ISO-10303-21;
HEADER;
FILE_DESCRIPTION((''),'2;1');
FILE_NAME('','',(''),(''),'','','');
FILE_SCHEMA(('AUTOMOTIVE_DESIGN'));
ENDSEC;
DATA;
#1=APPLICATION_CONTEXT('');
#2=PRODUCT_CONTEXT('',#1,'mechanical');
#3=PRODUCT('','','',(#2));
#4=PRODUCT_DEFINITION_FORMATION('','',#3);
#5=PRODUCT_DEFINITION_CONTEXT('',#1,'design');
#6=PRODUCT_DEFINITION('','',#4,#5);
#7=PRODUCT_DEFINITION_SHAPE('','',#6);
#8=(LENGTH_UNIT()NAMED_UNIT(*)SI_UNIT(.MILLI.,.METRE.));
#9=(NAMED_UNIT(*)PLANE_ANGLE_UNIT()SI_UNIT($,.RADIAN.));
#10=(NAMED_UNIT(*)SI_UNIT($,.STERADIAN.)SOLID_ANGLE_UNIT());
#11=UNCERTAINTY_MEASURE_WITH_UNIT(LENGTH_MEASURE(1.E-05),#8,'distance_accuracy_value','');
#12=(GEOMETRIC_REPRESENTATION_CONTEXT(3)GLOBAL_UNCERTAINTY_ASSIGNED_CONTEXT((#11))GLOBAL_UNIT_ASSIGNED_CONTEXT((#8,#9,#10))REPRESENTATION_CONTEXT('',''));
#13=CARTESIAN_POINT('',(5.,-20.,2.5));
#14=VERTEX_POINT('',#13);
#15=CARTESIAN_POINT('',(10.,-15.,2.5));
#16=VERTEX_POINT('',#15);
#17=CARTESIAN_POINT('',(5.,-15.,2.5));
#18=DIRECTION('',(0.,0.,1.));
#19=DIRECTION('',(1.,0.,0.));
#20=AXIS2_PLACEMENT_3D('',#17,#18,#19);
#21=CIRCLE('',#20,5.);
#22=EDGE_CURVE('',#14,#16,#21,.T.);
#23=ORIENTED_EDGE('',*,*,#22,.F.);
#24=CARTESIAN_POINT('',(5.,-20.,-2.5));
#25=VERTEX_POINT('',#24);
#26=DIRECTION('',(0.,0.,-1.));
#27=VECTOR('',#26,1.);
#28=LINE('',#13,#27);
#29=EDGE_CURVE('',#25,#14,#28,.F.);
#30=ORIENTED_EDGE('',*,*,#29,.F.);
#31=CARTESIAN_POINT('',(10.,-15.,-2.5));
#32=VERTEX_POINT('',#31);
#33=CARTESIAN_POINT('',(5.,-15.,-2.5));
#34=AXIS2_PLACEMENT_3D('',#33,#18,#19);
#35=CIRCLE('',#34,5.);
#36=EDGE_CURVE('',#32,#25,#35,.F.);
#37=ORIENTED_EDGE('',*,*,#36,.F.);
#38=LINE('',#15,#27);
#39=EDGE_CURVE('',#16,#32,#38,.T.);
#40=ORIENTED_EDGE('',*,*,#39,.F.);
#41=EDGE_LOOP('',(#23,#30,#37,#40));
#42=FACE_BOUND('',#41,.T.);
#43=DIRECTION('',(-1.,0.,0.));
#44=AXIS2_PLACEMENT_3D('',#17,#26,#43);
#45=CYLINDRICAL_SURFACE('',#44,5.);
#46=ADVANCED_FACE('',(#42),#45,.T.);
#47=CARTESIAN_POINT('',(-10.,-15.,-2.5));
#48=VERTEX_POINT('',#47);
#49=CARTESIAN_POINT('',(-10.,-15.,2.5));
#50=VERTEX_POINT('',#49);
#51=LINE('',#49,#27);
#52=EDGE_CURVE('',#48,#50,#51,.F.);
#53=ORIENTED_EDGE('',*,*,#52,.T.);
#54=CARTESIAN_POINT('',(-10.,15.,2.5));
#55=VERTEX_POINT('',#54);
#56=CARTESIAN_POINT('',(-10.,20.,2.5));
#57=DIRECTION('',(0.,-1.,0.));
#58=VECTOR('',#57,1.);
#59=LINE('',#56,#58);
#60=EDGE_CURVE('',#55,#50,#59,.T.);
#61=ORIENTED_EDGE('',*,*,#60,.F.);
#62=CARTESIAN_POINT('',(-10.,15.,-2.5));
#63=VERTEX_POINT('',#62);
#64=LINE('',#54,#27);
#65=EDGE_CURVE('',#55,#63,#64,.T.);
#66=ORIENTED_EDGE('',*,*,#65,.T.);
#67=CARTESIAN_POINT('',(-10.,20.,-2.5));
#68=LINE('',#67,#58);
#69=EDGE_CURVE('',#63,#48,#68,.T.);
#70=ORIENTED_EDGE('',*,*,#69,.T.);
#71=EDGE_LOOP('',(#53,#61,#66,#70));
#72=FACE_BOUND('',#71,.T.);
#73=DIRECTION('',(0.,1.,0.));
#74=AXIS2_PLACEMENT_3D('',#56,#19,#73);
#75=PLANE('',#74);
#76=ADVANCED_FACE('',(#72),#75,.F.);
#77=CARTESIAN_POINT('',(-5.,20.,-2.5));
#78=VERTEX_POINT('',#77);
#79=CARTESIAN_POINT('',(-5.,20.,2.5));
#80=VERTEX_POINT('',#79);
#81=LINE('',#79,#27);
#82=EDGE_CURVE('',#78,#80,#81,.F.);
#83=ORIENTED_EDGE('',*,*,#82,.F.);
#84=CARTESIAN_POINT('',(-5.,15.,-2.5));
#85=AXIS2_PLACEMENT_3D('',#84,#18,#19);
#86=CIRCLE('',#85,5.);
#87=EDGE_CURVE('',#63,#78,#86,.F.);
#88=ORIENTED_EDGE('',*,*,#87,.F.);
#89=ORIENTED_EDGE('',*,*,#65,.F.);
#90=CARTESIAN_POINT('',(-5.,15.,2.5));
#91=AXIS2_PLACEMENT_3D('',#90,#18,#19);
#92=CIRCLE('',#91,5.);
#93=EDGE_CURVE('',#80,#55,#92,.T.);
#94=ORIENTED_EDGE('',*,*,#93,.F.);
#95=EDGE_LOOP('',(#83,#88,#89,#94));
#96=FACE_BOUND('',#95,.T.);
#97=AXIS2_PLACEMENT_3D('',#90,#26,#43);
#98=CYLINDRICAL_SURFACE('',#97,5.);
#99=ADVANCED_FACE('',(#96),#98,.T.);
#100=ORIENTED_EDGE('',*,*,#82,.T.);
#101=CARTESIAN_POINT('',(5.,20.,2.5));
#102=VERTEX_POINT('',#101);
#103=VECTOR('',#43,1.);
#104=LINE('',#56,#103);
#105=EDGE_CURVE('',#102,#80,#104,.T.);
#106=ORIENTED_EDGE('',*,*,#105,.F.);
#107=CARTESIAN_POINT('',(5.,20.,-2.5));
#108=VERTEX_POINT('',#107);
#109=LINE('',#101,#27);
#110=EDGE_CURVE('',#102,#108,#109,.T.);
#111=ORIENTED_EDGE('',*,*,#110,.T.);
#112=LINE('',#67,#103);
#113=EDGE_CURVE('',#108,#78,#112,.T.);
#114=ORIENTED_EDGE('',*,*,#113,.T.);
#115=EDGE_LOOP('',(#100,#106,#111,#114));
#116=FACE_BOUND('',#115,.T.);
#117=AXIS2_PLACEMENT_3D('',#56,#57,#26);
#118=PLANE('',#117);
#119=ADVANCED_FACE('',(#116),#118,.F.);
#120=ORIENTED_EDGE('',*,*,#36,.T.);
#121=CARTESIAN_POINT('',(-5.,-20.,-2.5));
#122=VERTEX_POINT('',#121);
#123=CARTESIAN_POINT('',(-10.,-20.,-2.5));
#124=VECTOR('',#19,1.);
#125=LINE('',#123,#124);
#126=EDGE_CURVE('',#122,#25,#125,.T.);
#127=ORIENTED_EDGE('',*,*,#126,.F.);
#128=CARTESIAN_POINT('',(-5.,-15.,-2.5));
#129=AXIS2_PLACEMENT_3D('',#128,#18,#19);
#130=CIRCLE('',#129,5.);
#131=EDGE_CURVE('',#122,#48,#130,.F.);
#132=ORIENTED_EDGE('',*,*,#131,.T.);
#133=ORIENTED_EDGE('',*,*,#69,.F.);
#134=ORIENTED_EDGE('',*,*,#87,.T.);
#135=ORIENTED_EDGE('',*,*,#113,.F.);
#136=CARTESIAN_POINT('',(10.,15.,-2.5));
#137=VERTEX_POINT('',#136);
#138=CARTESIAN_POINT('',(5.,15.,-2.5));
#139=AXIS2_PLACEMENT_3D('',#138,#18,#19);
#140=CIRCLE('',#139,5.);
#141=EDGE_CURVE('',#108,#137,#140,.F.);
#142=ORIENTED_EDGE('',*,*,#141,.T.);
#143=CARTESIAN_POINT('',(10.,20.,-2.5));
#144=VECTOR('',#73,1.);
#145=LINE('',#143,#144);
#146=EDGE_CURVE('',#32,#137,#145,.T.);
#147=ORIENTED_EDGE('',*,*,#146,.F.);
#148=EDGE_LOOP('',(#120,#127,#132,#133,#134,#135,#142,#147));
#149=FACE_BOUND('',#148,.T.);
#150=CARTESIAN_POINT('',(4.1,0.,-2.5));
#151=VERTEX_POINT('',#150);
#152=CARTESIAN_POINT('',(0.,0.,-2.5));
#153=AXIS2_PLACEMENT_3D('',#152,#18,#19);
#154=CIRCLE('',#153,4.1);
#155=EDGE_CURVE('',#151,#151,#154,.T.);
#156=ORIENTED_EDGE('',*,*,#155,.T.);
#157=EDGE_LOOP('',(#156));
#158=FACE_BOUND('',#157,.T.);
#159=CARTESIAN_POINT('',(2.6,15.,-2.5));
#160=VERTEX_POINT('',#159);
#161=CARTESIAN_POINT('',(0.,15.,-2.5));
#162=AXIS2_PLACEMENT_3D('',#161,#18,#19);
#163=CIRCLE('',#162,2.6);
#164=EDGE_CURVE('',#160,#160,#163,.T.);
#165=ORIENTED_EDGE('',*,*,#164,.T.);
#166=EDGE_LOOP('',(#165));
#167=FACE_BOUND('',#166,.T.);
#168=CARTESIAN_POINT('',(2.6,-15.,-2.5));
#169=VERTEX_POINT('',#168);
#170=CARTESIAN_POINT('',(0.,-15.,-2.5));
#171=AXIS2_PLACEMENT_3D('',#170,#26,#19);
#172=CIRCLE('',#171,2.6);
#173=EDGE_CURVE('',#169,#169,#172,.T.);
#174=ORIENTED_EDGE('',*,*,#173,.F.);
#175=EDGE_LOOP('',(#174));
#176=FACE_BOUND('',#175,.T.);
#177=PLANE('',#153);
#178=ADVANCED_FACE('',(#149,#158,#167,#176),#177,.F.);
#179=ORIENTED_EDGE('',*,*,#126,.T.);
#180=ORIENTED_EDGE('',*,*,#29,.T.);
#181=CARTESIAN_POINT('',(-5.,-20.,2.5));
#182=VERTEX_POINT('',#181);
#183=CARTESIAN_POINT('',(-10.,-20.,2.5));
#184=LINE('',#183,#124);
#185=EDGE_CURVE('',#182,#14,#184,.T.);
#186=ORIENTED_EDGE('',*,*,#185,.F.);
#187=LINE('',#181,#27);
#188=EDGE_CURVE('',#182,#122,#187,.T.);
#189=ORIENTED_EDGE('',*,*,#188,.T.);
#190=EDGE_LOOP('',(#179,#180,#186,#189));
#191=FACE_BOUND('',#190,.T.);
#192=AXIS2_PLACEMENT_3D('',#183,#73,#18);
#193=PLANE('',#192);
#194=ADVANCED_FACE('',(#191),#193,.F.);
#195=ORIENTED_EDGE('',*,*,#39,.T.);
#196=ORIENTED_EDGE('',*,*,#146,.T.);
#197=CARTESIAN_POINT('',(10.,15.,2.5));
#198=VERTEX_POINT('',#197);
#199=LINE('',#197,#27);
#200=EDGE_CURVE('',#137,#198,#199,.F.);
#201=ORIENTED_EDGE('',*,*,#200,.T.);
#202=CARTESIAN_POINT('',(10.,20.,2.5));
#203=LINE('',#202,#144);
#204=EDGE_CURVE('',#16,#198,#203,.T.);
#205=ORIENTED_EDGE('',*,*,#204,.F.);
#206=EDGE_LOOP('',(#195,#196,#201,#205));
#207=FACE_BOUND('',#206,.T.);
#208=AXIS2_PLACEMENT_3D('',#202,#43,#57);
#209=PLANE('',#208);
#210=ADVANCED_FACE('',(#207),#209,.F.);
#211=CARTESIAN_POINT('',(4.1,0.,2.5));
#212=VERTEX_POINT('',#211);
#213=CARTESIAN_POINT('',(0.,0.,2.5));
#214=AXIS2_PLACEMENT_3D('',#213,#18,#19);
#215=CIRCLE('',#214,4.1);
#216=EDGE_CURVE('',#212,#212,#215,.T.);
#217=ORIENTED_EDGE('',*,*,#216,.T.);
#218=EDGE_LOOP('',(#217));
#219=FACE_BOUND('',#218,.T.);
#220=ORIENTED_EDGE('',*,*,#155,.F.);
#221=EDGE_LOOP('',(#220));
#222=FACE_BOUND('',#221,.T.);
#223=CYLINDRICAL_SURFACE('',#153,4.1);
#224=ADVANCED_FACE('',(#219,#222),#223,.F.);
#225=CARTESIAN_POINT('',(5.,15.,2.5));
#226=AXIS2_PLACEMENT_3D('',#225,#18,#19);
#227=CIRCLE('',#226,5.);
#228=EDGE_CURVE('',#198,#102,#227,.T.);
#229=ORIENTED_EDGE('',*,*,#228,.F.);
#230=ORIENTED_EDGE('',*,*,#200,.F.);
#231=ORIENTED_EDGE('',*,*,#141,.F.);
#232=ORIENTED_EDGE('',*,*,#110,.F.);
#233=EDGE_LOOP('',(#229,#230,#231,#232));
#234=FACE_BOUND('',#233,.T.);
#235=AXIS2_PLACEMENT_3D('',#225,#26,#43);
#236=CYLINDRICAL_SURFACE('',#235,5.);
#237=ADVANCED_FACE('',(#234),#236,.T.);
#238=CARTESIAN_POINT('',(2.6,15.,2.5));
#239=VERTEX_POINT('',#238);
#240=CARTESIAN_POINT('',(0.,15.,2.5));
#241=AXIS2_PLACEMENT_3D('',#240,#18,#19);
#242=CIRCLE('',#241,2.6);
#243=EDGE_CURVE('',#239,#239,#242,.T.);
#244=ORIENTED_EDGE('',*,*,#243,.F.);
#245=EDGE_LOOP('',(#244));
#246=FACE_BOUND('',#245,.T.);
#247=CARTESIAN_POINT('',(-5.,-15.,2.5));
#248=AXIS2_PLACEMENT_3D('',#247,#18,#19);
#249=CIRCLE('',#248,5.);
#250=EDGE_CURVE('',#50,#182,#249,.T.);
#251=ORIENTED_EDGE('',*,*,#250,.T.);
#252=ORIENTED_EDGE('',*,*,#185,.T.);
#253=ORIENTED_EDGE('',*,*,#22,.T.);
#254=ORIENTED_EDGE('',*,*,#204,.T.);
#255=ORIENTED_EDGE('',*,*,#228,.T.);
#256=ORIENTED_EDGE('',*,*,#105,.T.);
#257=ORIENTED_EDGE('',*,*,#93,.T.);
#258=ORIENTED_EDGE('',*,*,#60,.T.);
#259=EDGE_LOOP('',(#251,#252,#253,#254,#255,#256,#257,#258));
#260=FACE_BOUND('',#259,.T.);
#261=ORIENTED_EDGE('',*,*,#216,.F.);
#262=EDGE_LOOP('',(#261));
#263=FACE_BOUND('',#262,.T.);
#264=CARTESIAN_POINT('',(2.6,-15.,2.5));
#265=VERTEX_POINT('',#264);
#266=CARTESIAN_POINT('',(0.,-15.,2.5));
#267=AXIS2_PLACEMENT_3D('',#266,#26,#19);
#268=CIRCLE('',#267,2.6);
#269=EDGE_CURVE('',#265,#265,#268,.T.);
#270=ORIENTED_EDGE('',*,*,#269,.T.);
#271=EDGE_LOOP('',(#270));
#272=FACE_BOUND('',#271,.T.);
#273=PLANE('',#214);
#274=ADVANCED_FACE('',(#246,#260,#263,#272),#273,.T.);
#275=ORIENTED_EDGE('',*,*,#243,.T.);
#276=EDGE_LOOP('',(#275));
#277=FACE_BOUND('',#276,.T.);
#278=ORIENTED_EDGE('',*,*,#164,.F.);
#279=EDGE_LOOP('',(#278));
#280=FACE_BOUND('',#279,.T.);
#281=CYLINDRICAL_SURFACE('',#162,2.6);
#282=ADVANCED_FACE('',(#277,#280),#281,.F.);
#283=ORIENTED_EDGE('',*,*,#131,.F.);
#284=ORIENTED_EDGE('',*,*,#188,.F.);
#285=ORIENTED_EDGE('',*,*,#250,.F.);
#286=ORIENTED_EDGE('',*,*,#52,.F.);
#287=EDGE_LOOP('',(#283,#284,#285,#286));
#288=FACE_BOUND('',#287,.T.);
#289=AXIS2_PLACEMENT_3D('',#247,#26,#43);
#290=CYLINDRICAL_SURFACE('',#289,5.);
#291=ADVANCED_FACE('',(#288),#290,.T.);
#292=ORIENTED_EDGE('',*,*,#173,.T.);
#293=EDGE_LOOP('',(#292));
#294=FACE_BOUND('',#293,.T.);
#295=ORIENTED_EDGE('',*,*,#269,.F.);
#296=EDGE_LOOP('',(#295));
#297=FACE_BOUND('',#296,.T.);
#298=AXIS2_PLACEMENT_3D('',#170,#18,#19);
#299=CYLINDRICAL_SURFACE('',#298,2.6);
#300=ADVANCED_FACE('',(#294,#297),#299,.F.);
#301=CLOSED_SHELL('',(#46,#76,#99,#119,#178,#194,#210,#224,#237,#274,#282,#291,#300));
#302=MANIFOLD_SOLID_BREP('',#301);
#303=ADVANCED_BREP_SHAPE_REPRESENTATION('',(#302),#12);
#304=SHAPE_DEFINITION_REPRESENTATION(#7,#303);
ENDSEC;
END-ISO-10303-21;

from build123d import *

# Parameters (mm, degrees)
ESBO_O1_W                = 20
ESBO_O1_H                = 40
RESSALTO_EXTRUS_O1_DEPTH = 2.5
ESBO_O2_R                = 4.1
CORTE_EXTRUS_O1_DEPTH    = 23.912878475
ESBO_O3_R                = 2.6
CORTE_EXTRUS_O2_DEPTH    = 23.912878475
FILETE1_R                = 5


with BuildPart() as part:
    # Esboço1 → Ressalto-extrusão1 (new, symmetric)
    with BuildSketch(Plane.XY):
        Rectangle(ESBO_O1_W, ESBO_O1_H)
    extrude(amount=RESSALTO_EXTRUS_O1_DEPTH, both=True)

    # Esboço2 → Corte-extrusão1 (cut, through all)
    with BuildSketch(Plane.XY.offset(2.5)):
        Circle(ESBO_O2_R)
    extrude(amount=-CORTE_EXTRUS_O1_DEPTH, mode=Mode.SUBTRACT)

    # Esboço3 → Corte-extrusão2 (cut, through all)
    with BuildSketch(Plane.XY.offset(2.5)):
        with Locations((0, 15)):
            Circle(ESBO_O3_R)
    corte_extrus_o2 = extrude(amount=-CORTE_EXTRUS_O2_DEPTH, mode=Mode.SUBTRACT)

    # Espelhar1: Corte-extrusão2 across plane
    add(corte_extrus_o2.mirror(Plane.ZX), mode=Mode.SUBTRACT)

    # Filete1
    filete1_edges = [part.edges().sort_by_distance(p)[0] for p in [
        (10, -20, 0),
        (-10, -20, 0),
        (-10, 20, 0),
        (10, 20, 0),
    ]]
    fillet(filete1_edges, radius=FILETE1_R)


solid = part.part
